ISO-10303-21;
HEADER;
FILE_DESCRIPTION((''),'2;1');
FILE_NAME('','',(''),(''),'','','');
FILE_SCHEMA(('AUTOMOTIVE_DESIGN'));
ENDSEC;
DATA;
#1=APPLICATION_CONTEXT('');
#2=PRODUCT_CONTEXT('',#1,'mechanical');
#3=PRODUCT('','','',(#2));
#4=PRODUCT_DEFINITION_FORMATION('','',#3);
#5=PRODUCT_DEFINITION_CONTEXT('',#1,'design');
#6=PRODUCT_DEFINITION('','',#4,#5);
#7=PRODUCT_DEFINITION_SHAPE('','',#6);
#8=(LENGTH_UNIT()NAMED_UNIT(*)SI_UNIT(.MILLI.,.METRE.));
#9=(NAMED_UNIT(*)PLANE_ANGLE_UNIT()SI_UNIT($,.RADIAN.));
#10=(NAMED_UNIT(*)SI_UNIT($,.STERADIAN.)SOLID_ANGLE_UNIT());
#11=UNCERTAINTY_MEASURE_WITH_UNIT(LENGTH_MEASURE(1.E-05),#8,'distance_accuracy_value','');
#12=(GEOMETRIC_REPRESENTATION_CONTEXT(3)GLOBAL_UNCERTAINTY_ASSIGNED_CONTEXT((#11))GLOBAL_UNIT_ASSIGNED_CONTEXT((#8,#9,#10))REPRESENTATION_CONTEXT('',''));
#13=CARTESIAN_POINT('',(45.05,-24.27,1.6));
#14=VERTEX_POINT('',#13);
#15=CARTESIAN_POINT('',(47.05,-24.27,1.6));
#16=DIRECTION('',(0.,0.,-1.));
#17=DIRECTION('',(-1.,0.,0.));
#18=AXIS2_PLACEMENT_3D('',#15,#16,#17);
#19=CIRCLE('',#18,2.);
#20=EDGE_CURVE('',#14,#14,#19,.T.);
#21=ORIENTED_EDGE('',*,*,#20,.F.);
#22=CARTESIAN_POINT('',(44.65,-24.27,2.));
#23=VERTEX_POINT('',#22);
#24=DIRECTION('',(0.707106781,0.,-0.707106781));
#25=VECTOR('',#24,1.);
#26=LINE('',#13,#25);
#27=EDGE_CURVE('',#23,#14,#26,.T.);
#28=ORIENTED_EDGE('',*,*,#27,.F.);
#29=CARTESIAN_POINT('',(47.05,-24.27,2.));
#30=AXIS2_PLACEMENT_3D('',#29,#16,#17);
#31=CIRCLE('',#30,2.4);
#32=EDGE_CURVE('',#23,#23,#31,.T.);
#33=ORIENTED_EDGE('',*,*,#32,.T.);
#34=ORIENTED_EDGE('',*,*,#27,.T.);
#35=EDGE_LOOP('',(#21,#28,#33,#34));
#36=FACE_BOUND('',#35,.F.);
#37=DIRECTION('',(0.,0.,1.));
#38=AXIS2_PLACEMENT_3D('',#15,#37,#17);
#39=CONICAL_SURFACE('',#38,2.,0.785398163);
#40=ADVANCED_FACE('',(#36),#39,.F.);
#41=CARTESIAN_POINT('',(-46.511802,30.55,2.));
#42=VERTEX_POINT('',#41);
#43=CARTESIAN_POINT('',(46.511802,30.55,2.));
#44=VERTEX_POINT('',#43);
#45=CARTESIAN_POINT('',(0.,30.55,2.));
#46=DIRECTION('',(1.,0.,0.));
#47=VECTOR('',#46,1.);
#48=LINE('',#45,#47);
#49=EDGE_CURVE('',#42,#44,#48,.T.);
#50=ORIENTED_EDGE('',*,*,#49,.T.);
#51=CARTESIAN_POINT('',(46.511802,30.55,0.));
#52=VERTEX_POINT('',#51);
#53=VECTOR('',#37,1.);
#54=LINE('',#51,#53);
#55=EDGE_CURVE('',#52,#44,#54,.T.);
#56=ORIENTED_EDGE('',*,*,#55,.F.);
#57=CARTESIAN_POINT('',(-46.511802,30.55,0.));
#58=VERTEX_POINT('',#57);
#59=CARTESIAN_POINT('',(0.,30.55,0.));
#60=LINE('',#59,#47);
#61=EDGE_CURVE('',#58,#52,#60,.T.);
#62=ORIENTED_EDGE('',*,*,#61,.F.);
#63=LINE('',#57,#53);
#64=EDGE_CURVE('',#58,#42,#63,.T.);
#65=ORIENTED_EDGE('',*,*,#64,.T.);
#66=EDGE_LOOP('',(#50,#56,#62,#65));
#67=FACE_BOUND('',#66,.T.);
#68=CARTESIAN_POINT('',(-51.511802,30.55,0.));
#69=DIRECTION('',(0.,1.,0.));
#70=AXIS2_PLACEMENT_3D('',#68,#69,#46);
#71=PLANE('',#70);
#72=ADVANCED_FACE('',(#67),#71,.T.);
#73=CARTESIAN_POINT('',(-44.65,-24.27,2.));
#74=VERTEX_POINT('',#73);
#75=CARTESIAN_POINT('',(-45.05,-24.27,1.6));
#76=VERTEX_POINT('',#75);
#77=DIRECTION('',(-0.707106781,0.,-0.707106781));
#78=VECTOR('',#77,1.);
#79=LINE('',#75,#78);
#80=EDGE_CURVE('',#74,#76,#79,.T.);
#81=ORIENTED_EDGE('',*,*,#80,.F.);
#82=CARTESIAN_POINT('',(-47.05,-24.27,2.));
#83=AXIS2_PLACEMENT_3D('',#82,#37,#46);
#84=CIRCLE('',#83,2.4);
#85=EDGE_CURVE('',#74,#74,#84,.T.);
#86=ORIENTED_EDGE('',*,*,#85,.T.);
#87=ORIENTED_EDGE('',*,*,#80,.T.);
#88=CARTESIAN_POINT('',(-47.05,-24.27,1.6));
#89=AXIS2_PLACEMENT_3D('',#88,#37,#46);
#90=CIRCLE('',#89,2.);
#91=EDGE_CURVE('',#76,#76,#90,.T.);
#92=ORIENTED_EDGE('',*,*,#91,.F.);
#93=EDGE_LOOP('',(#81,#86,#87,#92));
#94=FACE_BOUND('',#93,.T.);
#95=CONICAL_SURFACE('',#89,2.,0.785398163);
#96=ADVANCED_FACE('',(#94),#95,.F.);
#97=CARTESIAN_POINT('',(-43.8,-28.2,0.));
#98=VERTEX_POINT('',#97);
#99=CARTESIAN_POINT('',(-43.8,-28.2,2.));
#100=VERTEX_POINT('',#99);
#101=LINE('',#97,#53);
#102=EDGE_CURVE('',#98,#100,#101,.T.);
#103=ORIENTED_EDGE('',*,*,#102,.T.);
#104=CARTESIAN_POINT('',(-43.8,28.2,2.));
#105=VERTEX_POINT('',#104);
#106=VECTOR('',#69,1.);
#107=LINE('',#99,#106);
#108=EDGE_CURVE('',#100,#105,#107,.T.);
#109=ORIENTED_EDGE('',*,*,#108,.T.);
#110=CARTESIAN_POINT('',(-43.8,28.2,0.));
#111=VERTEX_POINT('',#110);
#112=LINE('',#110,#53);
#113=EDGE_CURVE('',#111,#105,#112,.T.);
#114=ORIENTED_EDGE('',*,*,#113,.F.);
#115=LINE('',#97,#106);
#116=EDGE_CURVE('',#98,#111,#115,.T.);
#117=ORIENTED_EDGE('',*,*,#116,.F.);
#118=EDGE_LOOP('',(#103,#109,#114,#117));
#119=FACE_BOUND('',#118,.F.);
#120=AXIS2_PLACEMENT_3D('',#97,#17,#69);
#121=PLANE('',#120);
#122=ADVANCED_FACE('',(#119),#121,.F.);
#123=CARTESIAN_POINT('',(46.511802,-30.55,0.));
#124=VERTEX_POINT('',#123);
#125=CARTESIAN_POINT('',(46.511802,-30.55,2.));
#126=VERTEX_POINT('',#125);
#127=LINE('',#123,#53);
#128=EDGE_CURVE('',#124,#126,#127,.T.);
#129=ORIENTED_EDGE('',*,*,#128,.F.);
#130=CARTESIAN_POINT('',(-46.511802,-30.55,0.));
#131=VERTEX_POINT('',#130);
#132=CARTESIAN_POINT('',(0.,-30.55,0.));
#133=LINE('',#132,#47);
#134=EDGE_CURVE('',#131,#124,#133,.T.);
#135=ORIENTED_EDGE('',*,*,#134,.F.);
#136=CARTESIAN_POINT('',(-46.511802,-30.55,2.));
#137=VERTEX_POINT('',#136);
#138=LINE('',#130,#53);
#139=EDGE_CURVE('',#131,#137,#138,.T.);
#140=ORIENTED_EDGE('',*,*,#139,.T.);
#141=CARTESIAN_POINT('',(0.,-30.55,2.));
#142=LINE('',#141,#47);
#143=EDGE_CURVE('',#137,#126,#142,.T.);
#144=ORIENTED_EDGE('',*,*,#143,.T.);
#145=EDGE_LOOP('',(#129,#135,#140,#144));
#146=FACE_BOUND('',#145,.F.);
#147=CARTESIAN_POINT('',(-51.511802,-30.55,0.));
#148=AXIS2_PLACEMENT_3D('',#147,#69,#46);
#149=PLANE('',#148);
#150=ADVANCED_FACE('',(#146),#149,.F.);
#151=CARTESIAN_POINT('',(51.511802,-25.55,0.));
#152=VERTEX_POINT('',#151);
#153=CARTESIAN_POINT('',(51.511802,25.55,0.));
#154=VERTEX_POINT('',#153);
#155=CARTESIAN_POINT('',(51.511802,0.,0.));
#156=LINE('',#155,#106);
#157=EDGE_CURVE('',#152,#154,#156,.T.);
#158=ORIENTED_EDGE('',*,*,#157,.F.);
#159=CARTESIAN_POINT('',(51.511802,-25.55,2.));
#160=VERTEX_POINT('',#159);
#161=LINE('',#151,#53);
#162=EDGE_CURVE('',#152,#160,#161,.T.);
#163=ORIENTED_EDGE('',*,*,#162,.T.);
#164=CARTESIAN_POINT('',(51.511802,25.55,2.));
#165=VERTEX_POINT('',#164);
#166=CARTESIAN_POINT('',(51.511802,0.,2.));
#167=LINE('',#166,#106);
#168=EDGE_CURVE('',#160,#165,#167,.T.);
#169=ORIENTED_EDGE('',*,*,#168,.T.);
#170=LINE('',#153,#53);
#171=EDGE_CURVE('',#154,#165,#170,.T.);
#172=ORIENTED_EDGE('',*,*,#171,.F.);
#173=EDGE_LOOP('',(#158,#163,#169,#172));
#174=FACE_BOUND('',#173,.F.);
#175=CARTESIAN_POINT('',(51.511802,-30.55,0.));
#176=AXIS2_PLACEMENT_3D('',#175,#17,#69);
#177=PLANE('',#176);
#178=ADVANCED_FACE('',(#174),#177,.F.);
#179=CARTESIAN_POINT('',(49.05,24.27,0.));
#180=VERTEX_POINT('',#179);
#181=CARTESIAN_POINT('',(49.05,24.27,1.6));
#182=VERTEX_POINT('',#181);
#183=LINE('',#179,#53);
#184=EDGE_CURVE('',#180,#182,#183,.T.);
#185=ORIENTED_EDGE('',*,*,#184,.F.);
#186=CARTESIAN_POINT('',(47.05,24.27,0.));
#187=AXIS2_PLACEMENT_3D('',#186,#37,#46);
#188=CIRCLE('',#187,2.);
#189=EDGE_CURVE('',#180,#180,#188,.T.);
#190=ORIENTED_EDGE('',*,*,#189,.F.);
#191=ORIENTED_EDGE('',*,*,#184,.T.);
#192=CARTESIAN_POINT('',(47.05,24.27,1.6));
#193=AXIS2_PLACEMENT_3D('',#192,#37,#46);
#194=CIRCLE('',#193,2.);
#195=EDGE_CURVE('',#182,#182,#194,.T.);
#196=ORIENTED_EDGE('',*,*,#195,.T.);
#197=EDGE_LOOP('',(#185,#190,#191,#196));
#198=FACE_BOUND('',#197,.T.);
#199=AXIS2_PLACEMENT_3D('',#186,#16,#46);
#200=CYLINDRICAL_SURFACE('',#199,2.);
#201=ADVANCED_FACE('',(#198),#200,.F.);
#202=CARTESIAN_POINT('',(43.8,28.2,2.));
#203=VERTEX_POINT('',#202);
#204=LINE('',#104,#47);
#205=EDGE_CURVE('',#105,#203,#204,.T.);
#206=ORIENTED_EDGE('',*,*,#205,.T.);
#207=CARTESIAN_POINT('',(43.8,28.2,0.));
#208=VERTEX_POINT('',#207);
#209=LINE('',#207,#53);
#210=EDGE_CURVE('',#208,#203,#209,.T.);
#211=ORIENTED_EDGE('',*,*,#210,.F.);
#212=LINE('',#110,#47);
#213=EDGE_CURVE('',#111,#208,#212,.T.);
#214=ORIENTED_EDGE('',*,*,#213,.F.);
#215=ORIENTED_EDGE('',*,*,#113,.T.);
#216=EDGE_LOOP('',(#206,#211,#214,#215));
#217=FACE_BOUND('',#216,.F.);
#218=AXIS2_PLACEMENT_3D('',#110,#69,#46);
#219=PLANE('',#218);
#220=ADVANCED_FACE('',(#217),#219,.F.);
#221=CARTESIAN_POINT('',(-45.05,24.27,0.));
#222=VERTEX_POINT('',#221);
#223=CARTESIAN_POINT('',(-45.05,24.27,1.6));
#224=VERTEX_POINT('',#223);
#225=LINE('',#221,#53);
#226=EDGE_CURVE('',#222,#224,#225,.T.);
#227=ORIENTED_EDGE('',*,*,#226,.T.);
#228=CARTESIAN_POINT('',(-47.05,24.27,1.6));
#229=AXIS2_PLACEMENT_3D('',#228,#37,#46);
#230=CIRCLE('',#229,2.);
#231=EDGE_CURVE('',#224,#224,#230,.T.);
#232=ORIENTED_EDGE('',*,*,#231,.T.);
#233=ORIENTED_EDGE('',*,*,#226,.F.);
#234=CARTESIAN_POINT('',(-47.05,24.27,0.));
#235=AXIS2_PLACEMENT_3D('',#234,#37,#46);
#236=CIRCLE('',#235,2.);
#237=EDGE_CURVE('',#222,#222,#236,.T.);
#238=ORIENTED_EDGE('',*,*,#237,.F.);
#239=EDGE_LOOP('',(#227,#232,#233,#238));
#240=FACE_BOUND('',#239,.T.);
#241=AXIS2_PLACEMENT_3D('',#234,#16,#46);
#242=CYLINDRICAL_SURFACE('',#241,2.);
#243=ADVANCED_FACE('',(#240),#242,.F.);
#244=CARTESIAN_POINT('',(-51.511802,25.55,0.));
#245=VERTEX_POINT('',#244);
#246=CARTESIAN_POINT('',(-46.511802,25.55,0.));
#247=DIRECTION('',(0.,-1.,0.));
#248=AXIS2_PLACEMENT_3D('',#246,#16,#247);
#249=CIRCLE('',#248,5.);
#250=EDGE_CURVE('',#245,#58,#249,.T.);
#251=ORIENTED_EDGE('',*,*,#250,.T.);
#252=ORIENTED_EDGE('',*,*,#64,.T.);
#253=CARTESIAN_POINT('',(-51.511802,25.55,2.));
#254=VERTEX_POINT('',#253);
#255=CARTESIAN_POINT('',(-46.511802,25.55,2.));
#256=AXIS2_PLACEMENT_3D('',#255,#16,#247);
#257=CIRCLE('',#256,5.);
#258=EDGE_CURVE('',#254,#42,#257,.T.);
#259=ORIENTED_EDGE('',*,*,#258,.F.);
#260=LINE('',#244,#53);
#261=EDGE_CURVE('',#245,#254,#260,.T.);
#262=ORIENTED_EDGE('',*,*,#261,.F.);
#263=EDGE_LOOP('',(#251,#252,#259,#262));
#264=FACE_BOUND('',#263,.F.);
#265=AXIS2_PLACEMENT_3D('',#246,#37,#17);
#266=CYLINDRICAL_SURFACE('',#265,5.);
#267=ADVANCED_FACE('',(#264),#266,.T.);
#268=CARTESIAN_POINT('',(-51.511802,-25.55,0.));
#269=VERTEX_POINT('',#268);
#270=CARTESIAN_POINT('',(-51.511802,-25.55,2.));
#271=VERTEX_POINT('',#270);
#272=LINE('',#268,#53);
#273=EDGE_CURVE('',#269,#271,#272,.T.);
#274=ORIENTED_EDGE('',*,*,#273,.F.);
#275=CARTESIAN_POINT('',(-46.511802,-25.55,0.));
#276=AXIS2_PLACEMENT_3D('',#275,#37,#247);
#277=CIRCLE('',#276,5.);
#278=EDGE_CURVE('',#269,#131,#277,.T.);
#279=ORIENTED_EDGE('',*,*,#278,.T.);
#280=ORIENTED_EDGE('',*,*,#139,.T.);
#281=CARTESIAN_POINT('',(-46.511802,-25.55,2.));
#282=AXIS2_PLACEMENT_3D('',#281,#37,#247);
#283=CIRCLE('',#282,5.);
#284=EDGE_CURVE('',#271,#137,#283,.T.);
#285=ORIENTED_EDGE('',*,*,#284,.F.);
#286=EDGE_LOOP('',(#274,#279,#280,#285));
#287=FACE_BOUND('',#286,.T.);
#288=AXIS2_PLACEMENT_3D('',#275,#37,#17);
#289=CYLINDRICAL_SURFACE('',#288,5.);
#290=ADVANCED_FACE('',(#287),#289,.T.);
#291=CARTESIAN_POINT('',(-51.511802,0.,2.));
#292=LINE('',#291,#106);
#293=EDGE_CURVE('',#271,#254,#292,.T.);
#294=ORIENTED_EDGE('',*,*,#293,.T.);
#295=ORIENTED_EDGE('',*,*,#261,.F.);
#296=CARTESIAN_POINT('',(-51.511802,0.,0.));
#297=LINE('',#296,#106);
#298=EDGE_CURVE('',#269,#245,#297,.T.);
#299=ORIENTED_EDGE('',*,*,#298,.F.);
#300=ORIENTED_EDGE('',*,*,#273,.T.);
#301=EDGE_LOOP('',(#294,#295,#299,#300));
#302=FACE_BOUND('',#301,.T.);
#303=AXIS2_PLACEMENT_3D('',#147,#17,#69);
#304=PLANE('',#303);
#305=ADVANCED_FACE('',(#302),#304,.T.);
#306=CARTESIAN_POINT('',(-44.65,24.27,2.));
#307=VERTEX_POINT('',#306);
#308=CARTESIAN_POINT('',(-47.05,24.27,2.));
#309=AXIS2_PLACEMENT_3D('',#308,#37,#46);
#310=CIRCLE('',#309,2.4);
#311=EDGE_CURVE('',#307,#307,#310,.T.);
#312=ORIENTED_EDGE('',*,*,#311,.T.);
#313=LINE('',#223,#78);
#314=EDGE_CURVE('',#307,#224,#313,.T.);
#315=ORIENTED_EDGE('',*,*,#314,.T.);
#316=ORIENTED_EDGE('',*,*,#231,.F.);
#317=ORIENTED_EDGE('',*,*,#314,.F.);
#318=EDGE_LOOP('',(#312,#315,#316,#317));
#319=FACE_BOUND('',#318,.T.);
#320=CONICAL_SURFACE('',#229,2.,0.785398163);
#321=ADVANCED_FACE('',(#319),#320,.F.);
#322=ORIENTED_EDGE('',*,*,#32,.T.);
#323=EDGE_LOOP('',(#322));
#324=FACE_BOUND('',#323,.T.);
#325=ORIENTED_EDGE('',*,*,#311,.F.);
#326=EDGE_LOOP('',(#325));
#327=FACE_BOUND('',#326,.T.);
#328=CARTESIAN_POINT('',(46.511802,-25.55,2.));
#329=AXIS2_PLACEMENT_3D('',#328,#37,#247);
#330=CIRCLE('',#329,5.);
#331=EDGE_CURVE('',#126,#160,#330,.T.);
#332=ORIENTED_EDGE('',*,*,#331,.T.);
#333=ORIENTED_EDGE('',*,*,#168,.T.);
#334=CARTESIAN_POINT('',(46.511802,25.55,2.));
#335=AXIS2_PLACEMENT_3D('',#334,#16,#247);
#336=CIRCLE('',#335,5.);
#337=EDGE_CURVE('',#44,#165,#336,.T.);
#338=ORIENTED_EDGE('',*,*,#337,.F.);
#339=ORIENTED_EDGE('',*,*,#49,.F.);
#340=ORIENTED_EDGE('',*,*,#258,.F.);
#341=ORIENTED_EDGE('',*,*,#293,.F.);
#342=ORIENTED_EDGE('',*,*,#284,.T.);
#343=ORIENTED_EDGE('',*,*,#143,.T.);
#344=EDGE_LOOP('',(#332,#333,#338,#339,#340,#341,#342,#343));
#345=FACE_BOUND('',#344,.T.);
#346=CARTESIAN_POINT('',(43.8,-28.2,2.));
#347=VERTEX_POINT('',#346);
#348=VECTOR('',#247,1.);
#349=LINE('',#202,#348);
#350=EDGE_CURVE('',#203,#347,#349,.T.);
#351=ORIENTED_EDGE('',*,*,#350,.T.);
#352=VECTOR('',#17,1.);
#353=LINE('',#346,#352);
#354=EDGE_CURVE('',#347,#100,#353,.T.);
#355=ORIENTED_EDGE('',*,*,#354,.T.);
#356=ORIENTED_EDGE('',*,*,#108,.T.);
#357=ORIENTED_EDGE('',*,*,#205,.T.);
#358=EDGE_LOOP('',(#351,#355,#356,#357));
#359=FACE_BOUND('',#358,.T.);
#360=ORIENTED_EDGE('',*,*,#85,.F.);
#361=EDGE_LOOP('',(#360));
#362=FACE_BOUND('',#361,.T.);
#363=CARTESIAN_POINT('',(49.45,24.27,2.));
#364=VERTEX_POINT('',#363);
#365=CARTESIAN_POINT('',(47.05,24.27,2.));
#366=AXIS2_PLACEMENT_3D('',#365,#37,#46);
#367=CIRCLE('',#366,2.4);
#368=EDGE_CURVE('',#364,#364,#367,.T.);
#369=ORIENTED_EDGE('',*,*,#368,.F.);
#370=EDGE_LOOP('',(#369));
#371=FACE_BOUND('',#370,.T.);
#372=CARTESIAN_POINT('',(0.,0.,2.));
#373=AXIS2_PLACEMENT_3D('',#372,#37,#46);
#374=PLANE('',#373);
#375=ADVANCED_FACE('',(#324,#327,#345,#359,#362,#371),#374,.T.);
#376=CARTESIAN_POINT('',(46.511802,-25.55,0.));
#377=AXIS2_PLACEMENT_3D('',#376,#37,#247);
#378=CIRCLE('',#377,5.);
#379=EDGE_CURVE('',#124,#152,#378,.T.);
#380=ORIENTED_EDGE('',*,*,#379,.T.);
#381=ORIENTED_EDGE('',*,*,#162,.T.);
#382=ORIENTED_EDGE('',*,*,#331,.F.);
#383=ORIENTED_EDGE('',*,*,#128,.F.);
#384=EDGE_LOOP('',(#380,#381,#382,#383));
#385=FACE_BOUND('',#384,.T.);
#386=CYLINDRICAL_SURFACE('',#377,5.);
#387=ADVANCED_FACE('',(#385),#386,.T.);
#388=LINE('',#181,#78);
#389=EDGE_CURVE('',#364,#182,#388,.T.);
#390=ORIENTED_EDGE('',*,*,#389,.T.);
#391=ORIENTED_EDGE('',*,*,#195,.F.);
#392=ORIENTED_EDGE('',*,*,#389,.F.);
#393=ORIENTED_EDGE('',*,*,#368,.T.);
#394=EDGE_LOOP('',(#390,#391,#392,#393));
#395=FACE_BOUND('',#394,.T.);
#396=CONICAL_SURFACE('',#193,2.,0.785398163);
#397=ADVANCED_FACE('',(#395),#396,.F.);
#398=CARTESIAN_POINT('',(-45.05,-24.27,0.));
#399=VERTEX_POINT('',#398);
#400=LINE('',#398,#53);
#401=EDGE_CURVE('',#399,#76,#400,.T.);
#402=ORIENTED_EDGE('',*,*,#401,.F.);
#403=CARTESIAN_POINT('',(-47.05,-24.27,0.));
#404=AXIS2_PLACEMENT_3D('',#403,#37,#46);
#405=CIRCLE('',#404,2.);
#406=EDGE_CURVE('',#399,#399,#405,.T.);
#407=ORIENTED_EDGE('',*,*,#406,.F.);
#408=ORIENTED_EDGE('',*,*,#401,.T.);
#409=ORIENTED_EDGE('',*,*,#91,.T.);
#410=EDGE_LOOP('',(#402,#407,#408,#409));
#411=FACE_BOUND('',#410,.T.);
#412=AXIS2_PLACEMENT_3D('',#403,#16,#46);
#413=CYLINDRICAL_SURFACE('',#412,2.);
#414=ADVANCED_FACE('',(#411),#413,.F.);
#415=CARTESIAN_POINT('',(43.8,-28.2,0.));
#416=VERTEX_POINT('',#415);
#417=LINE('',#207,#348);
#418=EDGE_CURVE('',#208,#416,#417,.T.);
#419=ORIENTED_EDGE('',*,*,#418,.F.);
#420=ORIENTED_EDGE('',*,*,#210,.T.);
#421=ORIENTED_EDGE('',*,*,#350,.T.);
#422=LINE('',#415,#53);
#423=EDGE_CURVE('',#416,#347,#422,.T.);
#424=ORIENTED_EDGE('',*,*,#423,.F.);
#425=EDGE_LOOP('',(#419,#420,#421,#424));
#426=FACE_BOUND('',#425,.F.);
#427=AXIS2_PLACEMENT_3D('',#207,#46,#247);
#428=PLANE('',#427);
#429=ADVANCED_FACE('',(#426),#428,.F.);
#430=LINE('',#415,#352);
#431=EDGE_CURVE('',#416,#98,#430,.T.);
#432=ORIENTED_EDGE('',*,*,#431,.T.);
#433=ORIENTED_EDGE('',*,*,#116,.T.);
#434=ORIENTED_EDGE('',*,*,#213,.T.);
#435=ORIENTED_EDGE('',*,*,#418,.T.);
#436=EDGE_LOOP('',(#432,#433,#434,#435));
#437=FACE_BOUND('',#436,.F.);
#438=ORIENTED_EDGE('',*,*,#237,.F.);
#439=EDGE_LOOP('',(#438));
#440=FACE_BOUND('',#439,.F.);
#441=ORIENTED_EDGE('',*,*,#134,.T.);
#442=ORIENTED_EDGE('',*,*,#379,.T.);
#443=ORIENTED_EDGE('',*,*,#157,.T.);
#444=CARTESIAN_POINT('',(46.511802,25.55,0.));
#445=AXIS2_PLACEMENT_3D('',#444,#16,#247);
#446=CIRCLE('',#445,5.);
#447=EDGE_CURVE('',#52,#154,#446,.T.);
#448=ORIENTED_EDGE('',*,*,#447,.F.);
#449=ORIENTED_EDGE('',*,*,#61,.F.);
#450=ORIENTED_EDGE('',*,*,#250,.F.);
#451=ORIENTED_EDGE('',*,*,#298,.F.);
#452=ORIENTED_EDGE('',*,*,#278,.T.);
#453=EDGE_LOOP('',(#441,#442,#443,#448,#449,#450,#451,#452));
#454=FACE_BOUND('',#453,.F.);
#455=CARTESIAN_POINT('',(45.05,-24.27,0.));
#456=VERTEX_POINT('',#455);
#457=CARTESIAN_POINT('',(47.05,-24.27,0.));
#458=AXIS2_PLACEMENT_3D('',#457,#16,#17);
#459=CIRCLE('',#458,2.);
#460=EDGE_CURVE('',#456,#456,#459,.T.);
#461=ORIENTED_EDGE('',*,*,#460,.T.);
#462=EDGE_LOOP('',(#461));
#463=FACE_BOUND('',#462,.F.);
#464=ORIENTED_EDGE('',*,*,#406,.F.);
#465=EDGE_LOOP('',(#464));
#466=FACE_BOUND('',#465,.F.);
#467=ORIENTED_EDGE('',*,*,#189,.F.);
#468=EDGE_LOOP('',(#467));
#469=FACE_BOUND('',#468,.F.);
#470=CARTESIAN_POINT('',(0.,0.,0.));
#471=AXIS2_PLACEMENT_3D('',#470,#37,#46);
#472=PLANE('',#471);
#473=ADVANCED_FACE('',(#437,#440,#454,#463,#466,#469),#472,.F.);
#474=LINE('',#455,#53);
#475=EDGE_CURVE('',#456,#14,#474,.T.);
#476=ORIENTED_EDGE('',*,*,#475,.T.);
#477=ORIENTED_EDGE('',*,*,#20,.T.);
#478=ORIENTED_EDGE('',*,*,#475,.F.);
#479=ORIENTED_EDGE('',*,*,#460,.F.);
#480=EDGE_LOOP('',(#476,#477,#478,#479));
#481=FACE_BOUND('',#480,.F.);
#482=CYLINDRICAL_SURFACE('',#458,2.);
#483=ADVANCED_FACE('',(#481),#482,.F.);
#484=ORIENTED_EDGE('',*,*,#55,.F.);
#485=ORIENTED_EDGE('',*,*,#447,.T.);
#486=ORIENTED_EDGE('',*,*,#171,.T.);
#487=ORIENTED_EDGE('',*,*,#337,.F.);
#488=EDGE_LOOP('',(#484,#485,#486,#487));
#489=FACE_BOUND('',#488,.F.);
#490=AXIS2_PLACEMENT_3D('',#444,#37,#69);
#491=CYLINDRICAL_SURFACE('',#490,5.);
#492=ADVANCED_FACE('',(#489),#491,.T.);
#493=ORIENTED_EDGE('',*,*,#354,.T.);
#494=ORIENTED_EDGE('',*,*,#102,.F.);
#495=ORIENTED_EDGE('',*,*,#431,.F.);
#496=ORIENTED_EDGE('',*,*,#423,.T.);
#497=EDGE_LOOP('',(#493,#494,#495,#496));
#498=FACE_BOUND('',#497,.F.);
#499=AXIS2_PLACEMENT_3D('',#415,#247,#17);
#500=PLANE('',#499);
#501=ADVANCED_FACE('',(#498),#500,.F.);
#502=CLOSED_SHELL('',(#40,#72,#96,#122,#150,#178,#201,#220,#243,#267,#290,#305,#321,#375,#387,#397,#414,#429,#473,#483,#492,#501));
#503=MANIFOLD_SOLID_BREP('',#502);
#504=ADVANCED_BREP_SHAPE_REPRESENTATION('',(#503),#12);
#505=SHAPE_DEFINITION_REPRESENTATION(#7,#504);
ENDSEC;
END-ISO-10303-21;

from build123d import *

# Parameters (mm, degrees)
F0_W     = 103.023604
F0_H     = 61.1
F0_R     = 2
F1_DEPTH = 2
F2_R     = 5
F3_SIZE  = 0.4


with BuildPart() as f1:
    # F0 (on Top) → F1 (new body)
    with BuildSketch(Plane.XY):
        Rectangle(F0_W, F0_H)
        with Locations((-47.05, -24.27)):
            Circle(F0_R, mode=Mode.SUBTRACT)
        with BuildLine():
            ThreePointArc((49.05, -24.27), (47.05, -26.27), (45.05, -24.27))
            ThreePointArc((45.05, -24.27), (47.05, -22.27), (49.05, -24.27))
        make_face(mode=Mode.SUBTRACT)
        with Locations((-47.05, 24.27)):
            Circle(F0_R, mode=Mode.SUBTRACT)
        Polygon((43.8, -28.2), (-43.8, -28.2), (-43.8, 28.2), (43.8, 28.2), (43.8, -24.27), align=None, mode=Mode.SUBTRACT)
        with Locations((47.05, 24.27)):
            Circle(F0_R, mode=Mode.SUBTRACT)
    extrude(amount=F1_DEPTH)

    # F2
    f2_edges = [f1.edges().sort_by_distance(p)[0] for p in [
        (51.511802, -30.55, 1),
        (51.511802, 30.55, 1),
        (-51.511802, -30.55, 1),
        (-51.511802, 30.55, 1),
    ]]
    fillet(f2_edges, radius=F2_R)

    # F3
    f3_edges = [f1.edges().sort_by_distance(p)[0] for p in [
        (45.05, -24.27, 2),
        (45.05, 24.27, 2),
        (-49.05, 24.27, 2),
        (-49.05, -24.27, 2),
    ]]
    chamfer(f3_edges, length=F3_SIZE)


solid = f1.part
